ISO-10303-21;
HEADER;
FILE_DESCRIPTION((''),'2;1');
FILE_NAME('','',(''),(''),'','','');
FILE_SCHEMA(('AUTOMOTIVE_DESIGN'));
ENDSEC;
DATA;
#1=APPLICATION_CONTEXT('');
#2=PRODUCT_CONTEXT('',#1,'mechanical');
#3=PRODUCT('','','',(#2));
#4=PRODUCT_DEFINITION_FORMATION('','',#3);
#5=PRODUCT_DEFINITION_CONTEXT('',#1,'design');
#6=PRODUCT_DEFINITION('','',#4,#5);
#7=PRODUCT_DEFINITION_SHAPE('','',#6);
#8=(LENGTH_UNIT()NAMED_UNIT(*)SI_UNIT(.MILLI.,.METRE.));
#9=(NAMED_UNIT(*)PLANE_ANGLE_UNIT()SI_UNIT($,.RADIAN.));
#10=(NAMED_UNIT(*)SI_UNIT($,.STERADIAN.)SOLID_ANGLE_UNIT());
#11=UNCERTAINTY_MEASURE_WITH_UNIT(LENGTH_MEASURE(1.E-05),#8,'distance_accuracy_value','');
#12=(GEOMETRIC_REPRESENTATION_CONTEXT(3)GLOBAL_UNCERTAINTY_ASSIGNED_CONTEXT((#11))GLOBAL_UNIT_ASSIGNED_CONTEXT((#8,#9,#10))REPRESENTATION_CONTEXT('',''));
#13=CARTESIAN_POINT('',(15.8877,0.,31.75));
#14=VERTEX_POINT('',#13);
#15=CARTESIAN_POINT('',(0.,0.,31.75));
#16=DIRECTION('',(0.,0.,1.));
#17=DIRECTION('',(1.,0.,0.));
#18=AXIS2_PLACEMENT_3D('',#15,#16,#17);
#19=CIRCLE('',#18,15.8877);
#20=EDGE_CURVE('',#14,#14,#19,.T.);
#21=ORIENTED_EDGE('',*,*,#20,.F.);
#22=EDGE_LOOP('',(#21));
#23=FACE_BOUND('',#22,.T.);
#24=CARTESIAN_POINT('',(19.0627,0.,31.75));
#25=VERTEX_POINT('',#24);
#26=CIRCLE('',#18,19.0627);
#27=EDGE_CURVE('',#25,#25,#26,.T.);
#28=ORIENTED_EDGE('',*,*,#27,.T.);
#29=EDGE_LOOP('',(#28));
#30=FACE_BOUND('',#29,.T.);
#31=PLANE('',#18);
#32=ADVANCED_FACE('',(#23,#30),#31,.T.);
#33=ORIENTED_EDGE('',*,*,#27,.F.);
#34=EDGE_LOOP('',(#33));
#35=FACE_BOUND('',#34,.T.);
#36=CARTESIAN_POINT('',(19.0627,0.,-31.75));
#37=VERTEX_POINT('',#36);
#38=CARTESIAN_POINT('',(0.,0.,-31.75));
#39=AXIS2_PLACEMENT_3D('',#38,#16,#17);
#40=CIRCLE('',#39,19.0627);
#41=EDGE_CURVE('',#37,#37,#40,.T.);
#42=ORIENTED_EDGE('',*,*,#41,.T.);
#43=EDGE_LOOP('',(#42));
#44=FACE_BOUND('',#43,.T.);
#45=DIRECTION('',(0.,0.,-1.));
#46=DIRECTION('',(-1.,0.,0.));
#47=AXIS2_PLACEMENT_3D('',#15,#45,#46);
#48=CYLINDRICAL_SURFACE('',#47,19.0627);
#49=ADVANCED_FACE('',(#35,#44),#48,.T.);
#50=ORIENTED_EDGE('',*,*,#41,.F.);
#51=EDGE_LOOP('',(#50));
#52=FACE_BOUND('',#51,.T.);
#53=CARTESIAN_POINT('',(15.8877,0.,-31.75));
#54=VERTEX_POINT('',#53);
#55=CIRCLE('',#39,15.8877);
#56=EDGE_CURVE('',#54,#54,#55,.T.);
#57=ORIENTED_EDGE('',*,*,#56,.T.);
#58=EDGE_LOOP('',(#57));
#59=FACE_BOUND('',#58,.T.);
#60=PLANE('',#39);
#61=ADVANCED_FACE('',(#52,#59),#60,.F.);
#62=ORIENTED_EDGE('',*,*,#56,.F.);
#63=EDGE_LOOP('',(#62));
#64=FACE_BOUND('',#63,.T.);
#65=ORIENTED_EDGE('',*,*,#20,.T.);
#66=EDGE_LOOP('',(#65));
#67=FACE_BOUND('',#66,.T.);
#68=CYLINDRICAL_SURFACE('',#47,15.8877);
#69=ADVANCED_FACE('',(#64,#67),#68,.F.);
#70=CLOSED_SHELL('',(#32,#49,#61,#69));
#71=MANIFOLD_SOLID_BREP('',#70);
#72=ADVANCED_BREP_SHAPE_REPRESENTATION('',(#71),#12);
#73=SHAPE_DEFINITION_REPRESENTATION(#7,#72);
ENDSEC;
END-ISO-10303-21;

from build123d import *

# Parameters (mm, degrees)
SKETCH1_R      = 19.0627
SKETCH1_R_2    = 15.8877
EXTRUDE1_DEPTH = 31.75


with BuildPart() as part:
    # Sketch1 → Extrude1 (new body, symmetric)
    with BuildSketch(Plane.XY):
        Circle(SKETCH1_R)
        Circle(SKETCH1_R_2, mode=Mode.SUBTRACT)
    extrude(amount=EXTRUDE1_DEPTH, both=True)


solid = part.part
